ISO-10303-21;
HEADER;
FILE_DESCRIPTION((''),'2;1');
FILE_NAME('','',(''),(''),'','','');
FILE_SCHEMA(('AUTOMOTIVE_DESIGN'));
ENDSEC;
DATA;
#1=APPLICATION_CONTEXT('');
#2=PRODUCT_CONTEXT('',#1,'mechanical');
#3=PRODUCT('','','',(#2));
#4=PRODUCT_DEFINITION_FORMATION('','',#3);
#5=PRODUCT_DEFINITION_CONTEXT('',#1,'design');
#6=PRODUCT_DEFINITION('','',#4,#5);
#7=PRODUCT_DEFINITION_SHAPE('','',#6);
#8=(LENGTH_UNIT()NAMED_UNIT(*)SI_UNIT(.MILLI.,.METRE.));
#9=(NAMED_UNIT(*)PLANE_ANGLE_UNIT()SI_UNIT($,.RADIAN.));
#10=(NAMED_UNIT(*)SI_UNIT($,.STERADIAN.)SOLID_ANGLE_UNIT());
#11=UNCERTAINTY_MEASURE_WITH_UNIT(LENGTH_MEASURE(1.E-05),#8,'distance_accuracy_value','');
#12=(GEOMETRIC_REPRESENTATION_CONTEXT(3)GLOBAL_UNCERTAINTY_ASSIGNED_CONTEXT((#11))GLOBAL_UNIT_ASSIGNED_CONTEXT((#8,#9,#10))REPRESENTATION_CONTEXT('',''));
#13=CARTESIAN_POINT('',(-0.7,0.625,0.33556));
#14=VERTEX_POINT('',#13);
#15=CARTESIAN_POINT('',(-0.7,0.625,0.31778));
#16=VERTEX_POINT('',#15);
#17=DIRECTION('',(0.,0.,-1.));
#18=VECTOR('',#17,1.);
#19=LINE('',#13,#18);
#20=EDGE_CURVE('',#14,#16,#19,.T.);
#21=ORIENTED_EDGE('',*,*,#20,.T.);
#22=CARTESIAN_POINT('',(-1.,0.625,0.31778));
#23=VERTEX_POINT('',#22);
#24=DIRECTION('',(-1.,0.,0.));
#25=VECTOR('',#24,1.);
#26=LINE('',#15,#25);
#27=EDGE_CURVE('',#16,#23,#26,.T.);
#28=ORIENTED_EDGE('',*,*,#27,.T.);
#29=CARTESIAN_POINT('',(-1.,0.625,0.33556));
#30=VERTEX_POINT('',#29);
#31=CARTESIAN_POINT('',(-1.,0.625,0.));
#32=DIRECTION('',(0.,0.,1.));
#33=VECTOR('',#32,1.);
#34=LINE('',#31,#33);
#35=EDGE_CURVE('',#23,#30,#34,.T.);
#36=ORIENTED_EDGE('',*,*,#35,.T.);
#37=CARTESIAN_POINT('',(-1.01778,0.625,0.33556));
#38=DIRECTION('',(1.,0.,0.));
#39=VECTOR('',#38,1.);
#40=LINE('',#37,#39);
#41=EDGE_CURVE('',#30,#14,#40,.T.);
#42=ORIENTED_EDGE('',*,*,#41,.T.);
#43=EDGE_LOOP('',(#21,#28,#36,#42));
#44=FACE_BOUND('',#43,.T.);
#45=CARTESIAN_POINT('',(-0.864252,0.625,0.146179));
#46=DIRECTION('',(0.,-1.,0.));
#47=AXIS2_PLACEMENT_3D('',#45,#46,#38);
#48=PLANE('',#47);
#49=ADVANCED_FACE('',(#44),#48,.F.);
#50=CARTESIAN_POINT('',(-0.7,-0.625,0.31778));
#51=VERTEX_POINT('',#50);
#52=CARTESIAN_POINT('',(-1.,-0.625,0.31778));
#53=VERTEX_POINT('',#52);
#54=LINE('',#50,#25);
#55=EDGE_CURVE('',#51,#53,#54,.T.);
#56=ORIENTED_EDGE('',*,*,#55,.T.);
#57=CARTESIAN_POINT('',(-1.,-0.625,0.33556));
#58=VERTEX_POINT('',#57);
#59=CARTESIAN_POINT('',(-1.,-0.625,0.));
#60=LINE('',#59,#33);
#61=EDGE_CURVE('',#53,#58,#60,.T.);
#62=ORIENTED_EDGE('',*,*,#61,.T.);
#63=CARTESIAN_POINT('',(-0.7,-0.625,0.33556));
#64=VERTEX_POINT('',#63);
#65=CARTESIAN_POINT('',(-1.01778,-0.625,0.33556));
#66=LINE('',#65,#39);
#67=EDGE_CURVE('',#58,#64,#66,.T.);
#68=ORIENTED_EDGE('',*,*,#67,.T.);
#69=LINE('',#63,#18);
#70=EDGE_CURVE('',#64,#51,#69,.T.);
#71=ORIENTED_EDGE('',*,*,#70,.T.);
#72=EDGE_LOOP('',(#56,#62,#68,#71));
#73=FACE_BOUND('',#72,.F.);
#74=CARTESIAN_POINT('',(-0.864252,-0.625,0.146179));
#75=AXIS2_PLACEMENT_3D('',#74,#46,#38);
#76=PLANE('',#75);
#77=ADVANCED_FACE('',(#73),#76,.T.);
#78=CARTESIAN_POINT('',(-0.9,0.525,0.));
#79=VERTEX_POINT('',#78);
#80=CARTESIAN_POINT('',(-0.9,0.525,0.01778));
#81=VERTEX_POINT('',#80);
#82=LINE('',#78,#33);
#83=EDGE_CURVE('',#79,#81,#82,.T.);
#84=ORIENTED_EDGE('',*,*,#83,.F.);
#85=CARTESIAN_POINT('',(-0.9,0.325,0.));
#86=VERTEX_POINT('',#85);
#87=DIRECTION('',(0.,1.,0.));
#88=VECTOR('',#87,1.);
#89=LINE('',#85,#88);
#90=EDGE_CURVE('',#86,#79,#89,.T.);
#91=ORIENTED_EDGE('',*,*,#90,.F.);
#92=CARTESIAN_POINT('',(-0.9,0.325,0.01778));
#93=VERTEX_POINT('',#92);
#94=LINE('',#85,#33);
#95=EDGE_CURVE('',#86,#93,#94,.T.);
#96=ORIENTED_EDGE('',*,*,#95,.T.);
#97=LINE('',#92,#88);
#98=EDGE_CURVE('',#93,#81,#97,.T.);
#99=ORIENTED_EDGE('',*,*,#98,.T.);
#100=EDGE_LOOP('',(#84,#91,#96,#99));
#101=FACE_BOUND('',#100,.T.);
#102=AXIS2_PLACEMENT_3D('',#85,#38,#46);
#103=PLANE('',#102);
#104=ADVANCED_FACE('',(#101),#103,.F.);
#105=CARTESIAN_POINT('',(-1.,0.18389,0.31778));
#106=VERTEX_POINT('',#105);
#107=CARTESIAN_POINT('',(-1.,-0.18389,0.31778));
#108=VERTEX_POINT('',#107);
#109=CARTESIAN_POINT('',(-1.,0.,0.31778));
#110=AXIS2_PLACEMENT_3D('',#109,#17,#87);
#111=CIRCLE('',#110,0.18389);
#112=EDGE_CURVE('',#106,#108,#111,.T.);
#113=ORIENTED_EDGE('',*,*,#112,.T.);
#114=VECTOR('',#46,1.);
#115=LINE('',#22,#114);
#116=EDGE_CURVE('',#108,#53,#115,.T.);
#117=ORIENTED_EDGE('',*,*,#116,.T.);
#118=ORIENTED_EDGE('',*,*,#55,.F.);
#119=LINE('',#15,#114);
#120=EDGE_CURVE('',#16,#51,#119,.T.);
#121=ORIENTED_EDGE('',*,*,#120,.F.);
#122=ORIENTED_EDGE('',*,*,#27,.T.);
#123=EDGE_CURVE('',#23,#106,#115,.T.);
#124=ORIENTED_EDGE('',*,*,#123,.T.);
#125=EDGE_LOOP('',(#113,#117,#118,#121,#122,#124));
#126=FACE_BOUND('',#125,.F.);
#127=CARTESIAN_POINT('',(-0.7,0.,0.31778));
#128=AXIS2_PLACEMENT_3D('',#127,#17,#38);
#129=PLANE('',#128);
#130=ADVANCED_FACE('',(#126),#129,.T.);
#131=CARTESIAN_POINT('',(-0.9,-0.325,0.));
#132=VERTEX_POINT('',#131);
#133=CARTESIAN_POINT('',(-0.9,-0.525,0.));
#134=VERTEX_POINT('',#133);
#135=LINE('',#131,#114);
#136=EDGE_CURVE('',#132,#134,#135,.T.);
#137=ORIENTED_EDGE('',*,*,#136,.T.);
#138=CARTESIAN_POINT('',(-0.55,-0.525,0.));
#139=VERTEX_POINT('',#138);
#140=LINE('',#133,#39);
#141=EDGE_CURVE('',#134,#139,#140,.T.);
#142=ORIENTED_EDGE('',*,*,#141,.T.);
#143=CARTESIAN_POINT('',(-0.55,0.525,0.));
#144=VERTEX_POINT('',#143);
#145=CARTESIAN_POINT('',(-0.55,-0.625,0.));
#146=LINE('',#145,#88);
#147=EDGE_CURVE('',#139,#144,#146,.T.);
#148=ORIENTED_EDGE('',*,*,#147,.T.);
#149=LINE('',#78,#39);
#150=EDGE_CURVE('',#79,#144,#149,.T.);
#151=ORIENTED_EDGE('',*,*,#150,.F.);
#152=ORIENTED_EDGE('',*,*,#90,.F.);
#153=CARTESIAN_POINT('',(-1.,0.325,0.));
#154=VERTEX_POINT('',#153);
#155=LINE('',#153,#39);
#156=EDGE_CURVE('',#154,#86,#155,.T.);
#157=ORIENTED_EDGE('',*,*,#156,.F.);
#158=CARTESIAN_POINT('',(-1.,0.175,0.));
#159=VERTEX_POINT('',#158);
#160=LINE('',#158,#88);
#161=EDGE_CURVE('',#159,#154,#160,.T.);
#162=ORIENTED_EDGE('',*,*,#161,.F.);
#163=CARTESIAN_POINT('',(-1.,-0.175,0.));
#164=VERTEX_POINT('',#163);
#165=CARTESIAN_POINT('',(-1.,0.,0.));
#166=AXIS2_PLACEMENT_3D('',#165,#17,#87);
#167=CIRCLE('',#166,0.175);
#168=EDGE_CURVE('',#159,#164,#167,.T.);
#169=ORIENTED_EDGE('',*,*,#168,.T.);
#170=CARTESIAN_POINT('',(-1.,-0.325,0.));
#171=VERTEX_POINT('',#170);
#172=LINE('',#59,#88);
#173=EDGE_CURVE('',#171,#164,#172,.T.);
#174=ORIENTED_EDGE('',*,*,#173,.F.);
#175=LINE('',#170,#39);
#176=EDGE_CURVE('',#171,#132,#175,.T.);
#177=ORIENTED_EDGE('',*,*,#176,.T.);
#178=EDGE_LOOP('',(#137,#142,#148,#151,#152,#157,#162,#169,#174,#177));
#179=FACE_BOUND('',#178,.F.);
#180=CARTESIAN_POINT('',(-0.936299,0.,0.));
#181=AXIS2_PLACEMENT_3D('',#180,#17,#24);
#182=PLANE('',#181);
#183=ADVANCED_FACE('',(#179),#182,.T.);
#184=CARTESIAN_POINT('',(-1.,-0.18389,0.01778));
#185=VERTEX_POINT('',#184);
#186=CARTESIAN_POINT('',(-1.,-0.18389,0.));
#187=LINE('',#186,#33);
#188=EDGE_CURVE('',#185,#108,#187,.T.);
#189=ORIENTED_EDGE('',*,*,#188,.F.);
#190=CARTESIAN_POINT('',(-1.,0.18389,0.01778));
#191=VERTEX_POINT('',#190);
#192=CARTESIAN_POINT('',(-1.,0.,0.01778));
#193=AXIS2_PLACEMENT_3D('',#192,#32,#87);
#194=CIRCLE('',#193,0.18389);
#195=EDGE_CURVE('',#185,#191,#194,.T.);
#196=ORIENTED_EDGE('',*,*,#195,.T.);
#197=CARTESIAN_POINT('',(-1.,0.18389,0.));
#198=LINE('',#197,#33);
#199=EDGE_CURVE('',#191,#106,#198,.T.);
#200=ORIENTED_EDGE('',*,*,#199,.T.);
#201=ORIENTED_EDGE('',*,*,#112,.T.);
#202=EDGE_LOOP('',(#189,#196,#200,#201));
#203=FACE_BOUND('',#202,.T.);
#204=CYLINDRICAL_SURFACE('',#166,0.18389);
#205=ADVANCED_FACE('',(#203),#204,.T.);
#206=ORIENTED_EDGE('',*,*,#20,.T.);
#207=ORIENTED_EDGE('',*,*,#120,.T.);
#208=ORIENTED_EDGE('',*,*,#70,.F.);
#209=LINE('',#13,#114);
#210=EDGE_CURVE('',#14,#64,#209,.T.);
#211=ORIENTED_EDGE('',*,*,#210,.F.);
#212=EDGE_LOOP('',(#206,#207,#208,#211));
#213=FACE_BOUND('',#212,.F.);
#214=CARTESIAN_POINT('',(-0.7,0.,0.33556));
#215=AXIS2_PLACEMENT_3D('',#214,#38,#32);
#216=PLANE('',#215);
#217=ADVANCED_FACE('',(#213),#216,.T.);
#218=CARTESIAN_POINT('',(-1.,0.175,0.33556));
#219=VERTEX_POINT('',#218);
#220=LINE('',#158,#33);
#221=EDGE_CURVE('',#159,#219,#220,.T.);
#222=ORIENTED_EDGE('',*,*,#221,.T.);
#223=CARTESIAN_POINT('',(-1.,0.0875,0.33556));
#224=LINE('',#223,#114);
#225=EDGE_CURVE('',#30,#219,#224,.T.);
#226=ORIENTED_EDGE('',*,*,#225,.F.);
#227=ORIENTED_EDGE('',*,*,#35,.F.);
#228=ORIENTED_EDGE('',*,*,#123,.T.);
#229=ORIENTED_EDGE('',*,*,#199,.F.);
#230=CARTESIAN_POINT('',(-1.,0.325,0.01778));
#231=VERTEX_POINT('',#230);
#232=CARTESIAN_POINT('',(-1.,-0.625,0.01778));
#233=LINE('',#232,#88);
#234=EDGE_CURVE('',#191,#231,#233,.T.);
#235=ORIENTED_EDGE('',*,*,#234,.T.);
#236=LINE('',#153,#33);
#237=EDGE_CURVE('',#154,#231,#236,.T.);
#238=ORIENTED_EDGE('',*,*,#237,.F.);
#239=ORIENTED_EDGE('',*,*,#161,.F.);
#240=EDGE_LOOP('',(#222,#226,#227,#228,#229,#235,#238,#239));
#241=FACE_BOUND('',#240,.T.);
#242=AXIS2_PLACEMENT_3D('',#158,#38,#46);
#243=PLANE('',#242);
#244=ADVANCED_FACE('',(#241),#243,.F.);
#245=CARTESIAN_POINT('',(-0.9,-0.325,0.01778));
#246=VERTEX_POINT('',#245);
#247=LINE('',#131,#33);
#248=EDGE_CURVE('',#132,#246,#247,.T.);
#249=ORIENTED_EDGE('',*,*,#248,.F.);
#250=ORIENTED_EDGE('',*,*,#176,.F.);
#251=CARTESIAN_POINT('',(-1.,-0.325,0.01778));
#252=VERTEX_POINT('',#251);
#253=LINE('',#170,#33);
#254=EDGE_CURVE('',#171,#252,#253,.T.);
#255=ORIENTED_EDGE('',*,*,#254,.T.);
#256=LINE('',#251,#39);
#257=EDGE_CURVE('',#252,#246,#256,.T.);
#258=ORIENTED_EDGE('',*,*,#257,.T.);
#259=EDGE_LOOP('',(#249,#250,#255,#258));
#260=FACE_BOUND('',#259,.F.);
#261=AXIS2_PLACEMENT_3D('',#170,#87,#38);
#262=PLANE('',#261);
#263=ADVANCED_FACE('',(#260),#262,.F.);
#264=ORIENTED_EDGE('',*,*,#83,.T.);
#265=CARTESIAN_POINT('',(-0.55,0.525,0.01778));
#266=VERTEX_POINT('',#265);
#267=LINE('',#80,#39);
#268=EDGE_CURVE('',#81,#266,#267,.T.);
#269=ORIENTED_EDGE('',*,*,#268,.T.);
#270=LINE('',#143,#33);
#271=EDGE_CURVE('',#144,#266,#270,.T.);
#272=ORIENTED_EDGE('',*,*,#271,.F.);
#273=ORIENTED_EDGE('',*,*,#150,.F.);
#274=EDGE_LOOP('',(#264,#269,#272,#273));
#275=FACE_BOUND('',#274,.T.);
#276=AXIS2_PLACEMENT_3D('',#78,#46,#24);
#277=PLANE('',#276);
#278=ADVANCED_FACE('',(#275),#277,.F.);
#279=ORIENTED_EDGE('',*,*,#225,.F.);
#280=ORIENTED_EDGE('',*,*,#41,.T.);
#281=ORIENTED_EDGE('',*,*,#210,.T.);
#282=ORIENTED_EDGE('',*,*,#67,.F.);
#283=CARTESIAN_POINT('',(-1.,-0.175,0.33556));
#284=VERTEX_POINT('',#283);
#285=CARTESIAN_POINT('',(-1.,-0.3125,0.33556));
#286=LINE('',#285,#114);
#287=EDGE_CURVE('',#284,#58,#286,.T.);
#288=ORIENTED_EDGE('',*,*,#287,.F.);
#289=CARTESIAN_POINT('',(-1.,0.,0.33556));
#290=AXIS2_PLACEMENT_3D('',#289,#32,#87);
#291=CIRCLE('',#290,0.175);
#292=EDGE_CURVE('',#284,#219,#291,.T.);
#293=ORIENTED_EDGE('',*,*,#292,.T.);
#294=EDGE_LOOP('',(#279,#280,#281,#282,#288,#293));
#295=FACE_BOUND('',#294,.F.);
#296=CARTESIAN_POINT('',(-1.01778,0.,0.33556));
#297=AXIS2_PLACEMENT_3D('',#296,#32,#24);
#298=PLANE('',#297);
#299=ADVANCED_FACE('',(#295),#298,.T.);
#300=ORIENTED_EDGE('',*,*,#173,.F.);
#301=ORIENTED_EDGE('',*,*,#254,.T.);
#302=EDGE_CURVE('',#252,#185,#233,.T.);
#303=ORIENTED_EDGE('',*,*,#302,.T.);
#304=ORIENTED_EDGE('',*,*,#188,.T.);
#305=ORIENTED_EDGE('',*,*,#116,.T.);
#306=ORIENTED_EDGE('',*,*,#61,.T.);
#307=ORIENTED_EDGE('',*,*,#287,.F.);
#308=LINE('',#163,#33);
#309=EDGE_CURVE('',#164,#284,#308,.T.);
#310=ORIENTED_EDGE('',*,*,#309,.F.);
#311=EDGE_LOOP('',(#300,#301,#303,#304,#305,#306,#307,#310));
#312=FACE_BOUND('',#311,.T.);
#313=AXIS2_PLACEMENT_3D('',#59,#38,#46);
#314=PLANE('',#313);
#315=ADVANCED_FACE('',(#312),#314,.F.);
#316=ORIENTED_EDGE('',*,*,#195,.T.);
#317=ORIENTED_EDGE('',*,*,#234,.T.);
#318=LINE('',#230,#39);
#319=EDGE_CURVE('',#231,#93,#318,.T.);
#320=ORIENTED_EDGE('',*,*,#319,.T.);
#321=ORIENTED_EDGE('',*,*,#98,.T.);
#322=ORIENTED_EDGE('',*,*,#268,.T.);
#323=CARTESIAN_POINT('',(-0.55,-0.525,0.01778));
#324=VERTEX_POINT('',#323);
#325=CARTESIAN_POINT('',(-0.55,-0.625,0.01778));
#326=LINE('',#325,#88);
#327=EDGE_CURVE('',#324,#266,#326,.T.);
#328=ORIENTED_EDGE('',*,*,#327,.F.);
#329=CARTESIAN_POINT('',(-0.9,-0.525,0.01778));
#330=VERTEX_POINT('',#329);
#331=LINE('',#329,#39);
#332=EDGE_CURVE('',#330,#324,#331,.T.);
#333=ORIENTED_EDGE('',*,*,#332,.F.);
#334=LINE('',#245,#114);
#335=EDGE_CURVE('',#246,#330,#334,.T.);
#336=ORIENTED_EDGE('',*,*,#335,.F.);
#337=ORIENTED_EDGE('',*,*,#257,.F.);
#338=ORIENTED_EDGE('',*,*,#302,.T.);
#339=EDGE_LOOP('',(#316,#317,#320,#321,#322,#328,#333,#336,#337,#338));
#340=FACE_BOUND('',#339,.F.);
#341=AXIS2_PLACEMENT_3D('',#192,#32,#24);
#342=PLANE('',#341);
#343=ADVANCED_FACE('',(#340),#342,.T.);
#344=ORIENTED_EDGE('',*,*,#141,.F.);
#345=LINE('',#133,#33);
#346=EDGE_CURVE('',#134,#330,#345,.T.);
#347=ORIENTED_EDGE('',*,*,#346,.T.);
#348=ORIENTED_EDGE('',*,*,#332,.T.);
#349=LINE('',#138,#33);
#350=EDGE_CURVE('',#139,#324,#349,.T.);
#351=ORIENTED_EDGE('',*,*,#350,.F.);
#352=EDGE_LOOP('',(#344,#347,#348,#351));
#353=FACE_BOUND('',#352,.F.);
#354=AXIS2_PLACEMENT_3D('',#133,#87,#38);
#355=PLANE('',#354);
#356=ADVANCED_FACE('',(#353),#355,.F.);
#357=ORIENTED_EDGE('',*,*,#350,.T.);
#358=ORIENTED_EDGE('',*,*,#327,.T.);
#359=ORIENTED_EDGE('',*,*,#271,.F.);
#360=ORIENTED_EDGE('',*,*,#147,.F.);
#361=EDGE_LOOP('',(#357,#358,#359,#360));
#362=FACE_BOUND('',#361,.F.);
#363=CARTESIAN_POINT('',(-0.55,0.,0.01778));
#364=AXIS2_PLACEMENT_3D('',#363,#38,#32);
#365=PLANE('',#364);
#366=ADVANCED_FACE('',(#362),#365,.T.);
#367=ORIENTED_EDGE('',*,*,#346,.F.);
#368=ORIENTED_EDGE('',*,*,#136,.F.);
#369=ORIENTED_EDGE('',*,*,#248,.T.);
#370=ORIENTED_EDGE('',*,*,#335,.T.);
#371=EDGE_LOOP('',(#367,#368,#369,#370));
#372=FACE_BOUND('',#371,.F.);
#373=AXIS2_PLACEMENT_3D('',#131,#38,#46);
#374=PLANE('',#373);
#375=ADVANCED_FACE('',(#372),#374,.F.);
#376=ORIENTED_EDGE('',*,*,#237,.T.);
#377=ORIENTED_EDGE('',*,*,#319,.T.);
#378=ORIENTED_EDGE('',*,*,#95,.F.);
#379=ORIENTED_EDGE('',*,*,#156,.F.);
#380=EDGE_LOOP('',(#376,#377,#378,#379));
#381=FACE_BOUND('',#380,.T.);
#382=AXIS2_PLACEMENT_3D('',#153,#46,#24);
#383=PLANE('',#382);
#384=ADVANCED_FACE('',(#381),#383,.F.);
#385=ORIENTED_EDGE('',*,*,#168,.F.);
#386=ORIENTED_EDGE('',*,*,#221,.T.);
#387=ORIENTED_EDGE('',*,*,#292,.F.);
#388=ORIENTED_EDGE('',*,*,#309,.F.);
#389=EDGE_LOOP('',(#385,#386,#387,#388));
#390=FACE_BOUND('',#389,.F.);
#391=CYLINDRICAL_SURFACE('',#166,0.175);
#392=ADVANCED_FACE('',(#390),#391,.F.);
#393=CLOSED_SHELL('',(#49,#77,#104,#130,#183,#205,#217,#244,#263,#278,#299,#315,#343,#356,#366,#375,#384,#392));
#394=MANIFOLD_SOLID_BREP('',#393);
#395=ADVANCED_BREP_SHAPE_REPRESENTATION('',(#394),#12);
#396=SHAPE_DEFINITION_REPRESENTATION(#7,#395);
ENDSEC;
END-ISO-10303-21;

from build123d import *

# Parameters (mm, degrees)
PAD_DEPTH            = 0.625
PAD_DEPTH_BACK       = 0.625
PAD001_DEPTH         = 0.31778
POCKET_DEPTH         = 0.01778
POCKET001_DEPTH      = 0.001
POCKET001_DEPTH_BACK = 0.33656


with BuildPart() as body:
    # Sketch → Pad (new body, two sides)
    with BuildSketch(Plane.XZ) as pad_sk:
        Polygon((0.55, 0), (1.01778, 0), (1.01778, 0.33556), (0.7, 0.33556), (0.7, 0.31778), (1, 0.31778), (1, 0.01778), (0.55, 0.01778), align=None)
    extrude(amount=PAD_DEPTH)
    extrude(pad_sk.sketch, amount=-PAD_DEPTH_BACK)

    # Sketch001 → Pad001 (join)
    with BuildSketch(Plane.XY):
        with BuildLine():
            Line((1, 0.18389), (1, -0.18389))
            ThreePointArc((1, 0.18389), (0.81611, 0), (1, -0.18389))
        make_face()
    extrude(amount=PAD001_DEPTH)

    # Sketch003 → Pocket (cut)
    with BuildSketch(Plane.XY):
        Polygon((0.55, 0.625), (1, 0.625), (1, 0.325), (0.9, 0.325), (0.9, 0.525), (0.55, 0.525), align=None)
    pocket = extrude(amount=POCKET_DEPTH, mode=Mode.SUBTRACT)

    # Mirrored: Pocket across Sketch003 H_Axis
    add(pocket.mirror(Plane.ZX), mode=Mode.SUBTRACT)

    # Sketch004 → Pocket001 (cut, two sides)
    with BuildSketch(Plane.XY) as pocket001_sk:
        with BuildLine():
            Line((1, 0.175), (1, 0.625))
            Line((1, 0.625), (1.01778, 0.625))
            Line((1.01778, 0.625), (1.01778, -0.625))
            Line((1.01778, -0.625), (1, -0.625))
            Line((1, -0.625), (1, -0.175))
            ThreePointArc((1, 0.175), (0.825, 0), (1, -0.175))
        make_face()
    extrude(amount=-POCKET001_DEPTH, mode=Mode.SUBTRACT)
    extrude(pocket001_sk.sketch, amount=POCKET001_DEPTH_BACK, mode=Mode.SUBTRACT)


with BuildPart() as part_mirroring:
    # Part__Mirroring: instance of Body
    add(body.part.mirror(Plane(origin=(0, 0, 0), x_dir=(0, -1, 0), z_dir=(1, 0, 0))))


solid = part_mirroring.part
